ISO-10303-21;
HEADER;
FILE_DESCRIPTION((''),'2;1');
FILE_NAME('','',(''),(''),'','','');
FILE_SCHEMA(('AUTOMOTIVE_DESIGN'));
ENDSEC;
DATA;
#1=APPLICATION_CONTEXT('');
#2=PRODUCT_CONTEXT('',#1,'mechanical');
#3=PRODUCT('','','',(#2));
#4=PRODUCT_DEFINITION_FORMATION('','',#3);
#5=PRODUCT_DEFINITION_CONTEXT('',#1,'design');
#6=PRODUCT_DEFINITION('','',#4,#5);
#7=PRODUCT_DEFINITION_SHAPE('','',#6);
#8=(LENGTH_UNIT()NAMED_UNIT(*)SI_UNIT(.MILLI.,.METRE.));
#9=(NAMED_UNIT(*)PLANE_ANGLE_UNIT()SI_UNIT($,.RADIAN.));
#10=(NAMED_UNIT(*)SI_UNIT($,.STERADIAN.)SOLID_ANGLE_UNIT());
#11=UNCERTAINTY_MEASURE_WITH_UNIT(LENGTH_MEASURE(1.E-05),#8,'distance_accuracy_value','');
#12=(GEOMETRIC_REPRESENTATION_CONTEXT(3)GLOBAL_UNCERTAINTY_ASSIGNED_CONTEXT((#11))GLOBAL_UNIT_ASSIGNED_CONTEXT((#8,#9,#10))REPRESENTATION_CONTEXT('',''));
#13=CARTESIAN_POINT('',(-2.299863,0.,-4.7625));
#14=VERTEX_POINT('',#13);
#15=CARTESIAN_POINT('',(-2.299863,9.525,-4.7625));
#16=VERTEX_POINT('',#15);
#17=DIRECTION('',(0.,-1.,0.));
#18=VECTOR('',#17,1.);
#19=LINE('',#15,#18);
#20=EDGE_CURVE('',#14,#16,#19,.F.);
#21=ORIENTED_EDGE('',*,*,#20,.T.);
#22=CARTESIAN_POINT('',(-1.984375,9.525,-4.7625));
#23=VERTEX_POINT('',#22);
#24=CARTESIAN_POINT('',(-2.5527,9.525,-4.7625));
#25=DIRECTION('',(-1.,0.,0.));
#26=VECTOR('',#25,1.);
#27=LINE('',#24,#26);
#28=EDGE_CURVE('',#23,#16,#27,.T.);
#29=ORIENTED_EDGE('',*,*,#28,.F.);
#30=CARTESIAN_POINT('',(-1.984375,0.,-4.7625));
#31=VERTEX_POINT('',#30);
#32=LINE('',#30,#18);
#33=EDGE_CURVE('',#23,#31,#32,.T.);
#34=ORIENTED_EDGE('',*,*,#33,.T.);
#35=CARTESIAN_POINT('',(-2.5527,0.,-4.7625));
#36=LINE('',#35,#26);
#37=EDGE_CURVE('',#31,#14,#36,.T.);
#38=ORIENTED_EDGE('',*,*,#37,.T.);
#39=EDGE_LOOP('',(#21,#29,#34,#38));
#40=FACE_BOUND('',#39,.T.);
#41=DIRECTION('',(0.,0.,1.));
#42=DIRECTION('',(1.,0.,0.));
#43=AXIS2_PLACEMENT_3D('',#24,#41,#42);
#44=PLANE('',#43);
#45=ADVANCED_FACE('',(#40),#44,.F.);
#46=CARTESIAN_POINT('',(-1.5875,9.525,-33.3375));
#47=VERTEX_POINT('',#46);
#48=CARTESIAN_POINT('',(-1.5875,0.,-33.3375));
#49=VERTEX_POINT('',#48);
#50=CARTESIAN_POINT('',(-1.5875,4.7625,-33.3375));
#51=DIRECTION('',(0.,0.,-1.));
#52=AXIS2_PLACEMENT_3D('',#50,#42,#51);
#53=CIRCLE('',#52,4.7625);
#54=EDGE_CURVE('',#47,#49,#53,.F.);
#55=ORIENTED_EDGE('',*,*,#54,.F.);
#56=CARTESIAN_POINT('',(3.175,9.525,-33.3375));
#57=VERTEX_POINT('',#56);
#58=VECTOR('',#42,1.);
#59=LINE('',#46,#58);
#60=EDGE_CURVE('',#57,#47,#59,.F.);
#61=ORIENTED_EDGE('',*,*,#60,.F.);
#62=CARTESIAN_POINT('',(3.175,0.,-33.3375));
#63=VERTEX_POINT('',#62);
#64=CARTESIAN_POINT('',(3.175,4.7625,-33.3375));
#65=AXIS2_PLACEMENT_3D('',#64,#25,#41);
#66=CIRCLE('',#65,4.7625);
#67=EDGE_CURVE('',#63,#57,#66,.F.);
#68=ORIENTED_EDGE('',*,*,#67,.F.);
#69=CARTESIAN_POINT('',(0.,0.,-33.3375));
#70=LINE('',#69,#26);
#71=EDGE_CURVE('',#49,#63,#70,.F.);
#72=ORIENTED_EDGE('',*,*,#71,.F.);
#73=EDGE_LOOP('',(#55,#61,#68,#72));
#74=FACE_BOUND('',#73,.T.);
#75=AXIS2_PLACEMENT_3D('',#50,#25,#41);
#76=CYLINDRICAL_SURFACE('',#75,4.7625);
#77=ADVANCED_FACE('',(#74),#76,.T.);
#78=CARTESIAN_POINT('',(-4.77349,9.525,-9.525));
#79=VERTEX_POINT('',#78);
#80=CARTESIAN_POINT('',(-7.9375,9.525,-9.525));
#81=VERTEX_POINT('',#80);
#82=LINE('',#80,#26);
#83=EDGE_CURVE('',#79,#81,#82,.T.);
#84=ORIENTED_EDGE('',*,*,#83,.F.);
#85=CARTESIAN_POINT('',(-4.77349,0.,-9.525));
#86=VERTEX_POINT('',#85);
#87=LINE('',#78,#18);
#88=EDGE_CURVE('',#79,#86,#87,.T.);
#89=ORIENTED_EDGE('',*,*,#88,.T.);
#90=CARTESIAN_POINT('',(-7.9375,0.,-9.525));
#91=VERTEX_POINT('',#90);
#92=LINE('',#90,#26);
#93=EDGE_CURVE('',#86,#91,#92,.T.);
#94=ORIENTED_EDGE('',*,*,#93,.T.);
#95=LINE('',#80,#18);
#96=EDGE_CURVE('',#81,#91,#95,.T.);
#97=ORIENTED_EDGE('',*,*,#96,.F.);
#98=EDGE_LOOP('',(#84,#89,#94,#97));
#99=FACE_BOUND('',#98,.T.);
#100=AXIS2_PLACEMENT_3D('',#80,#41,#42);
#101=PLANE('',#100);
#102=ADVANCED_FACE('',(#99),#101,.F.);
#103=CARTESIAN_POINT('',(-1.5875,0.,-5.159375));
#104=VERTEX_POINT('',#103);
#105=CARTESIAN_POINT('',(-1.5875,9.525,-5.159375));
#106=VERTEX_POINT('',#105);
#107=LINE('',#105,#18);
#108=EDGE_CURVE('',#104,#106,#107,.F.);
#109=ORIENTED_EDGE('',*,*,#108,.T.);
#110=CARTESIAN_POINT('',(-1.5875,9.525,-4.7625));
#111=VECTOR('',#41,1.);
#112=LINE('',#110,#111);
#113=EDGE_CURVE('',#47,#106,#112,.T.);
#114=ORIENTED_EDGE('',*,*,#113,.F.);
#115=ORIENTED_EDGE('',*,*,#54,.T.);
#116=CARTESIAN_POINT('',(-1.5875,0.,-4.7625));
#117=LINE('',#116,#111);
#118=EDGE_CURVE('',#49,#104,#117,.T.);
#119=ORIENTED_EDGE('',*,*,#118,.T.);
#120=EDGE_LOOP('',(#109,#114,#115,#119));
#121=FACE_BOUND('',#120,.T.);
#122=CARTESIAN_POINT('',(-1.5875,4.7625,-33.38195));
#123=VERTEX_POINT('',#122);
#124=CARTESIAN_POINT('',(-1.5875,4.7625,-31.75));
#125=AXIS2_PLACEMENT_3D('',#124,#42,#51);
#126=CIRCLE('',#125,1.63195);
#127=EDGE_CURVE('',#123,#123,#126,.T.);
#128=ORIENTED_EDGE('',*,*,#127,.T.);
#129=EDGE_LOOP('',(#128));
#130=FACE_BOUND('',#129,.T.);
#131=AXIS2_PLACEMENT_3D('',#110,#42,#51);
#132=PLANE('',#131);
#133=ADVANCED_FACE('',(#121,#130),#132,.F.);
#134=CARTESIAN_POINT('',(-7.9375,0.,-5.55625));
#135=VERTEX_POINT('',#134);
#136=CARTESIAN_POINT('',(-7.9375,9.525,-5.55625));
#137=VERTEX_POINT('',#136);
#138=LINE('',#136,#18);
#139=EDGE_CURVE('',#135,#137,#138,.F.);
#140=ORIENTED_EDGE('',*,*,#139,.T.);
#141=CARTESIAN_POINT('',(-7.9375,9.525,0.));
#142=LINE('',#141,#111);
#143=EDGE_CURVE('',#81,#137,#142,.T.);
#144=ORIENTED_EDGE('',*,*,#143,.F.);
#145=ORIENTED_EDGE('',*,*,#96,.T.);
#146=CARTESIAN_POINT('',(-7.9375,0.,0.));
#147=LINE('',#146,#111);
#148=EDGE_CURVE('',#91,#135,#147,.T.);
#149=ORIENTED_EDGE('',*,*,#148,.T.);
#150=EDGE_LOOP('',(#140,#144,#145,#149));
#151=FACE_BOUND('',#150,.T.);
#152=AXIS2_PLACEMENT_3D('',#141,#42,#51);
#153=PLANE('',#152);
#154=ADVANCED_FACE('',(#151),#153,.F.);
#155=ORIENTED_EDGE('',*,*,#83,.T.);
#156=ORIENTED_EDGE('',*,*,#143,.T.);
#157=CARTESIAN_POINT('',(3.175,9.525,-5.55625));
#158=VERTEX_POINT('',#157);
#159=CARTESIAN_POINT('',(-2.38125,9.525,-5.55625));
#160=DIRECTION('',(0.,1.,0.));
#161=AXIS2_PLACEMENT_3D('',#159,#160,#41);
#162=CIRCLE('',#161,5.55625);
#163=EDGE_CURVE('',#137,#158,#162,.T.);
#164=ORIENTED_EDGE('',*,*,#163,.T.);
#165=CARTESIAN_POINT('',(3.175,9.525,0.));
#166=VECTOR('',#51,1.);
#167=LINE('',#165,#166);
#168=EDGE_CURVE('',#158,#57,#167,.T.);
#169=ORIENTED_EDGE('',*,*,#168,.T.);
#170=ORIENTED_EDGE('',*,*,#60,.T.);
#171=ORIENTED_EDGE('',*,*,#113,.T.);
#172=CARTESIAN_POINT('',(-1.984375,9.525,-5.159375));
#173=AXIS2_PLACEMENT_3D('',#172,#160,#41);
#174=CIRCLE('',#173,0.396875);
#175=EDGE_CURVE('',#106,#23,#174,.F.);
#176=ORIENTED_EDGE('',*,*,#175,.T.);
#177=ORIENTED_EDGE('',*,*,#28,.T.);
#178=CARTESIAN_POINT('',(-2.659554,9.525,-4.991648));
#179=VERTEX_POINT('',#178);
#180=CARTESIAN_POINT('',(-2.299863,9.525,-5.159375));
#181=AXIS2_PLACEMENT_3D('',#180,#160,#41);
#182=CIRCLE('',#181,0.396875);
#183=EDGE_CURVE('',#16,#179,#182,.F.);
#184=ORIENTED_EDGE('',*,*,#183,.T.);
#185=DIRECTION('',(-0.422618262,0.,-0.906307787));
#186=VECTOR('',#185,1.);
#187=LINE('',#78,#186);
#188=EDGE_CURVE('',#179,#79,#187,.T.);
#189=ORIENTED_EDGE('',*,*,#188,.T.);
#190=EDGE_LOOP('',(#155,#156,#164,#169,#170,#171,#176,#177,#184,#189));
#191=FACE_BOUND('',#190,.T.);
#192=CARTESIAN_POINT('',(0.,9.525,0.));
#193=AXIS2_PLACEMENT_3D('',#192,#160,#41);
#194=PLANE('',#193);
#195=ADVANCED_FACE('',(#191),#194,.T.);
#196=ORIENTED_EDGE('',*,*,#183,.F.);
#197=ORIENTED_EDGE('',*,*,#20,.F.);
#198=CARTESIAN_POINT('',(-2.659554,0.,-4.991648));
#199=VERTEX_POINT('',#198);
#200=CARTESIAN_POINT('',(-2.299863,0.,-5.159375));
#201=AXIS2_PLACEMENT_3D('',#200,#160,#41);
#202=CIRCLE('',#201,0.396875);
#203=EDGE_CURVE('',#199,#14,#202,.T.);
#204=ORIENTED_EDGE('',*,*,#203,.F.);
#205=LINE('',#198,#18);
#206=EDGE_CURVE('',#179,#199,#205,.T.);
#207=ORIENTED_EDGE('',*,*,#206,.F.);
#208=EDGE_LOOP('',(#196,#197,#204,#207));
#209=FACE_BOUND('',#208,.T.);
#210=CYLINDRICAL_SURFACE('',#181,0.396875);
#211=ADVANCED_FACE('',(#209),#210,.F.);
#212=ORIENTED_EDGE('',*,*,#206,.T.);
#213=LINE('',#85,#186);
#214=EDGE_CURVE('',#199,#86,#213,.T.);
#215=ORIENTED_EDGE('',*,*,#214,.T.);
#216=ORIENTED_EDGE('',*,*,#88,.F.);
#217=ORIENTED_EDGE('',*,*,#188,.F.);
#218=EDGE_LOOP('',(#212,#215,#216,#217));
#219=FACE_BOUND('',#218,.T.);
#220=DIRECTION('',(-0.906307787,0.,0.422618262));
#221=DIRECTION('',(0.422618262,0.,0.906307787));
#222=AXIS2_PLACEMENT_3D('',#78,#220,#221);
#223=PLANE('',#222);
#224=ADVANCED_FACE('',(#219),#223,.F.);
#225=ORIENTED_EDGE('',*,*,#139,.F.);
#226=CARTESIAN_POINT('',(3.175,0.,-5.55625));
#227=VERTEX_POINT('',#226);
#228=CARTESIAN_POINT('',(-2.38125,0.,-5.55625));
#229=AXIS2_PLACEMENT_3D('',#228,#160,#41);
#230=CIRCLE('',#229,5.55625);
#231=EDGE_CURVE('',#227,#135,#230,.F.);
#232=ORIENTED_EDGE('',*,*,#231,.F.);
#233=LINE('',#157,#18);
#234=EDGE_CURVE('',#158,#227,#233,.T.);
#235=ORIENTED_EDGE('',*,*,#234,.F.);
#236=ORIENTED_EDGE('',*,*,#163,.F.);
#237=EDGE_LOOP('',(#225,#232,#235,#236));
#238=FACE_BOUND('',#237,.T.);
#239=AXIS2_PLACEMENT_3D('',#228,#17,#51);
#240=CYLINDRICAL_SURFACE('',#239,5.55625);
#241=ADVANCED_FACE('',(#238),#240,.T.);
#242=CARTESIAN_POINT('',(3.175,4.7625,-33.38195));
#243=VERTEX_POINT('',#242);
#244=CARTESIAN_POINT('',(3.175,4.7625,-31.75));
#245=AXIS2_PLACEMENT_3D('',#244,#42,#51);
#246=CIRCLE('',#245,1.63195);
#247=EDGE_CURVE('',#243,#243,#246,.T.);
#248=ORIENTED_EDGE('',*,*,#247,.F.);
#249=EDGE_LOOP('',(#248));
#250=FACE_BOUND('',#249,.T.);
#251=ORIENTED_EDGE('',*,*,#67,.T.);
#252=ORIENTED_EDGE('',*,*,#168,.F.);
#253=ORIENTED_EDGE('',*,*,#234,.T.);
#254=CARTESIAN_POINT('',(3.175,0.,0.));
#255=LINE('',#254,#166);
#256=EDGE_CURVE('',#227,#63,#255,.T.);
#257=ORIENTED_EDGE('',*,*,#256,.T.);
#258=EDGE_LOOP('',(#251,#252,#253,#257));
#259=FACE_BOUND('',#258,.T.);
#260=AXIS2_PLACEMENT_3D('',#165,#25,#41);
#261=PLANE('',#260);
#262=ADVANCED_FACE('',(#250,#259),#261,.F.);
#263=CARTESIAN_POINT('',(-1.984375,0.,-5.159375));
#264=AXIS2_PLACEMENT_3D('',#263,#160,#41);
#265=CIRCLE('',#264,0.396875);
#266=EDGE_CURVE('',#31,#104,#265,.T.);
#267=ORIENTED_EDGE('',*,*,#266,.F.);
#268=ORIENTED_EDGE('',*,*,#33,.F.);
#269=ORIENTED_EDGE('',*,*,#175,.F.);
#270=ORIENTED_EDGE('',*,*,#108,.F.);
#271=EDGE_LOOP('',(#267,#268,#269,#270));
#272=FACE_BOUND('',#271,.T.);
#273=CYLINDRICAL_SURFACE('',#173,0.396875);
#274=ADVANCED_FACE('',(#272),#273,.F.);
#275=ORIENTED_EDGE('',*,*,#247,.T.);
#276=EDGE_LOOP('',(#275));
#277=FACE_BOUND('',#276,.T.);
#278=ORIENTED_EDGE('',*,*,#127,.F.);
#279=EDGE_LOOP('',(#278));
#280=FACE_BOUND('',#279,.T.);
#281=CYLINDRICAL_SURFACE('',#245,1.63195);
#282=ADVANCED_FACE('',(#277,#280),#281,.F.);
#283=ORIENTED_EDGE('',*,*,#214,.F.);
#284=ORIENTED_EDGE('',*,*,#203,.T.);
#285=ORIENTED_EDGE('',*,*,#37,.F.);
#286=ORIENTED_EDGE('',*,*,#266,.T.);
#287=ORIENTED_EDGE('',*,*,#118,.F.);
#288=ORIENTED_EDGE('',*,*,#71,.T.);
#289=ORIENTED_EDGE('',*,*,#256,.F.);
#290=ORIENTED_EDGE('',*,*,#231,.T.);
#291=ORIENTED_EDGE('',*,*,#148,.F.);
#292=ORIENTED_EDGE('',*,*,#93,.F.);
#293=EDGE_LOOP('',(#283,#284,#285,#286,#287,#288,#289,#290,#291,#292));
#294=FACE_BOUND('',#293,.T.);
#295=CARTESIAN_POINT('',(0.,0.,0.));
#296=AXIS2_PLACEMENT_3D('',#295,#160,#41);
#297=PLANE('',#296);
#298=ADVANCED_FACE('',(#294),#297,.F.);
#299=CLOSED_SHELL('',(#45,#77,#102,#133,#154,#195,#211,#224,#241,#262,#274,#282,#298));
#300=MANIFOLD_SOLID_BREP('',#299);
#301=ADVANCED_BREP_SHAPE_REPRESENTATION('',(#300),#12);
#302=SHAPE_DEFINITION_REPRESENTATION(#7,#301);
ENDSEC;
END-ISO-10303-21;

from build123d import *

# Parameters (mm, degrees)
BOSS_EXTRUDE1_DEPTH   = 9.525
FILLET1_R             = 0.396875
FILLET3_RADIUS        = 5.55625
FILLET3_LENGTH        = 9.525
FILLET4_RADIUS        = 4.7625
FILLET4_LENGTH        = 4.7625
F_4_CLEARANCE_HOLE1_D = 3.2639


with BuildPart() as part:
    # Sketch1 → Boss-Extrude1 (new body)
    with BuildSketch(Plane(origin=(0, 0, 0), x_dir=(1, 0, 0), z_dir=(0, 1, 0))):
        Polygon((0, 0), (-7.9375, 0), (-7.9375, 9.525), (-4.773490222, 9.525), (-2.5527, 4.7625), (-1.5875, 4.7625), (-1.5875, 38.1), (3.175, 38.1), (3.175, 0), align=None)
    extrude(amount=BOSS_EXTRUDE1_DEPTH)

    # Fillet1
    fillet1_edges = [part.edges().sort_by_distance(p)[0] for p in [
        (-2.5527, 4.7625, -4.7625),
        (-1.5875, 4.7625, -4.7625),
    ]]
    fillet(fillet1_edges, radius=FILLET1_R)

    # Fillet3: full round fillet: the end face becomes a half cylinder, R = half its width
    fillet3_face = Plane((-2.38125, 4.7625, 0), x_dir=(0, -1, 0), z_dir=(0, 0, 1))  # on the end face: x along it, z out of the body
    fillet3_slab = fillet3_face.offset(-FILLET3_RADIUS / 2) * Box(FILLET3_LENGTH, 2 * FILLET3_RADIUS, FILLET3_RADIUS, mode=Mode.PRIVATE)  # the body's end, R deep
    fillet3_round = Plane((-2.38125, 4.7625, -5.55625), x_dir=(0, 0, 1), z_dir=(0, -1, 0)) * Cylinder(FILLET3_RADIUS, FILLET3_LENGTH, mode=Mode.PRIVATE)  # its axis R under the face
    add(fillet3_slab - fillet3_round, mode=Mode.SUBTRACT)

    # Fillet4: full round fillet: the end face becomes a half cylinder, R = half its width
    fillet4_face = Plane((0.79375, 4.7625, -38.1), x_dir=(1, 0, 0), z_dir=(0, 0, -1))  # on the end face: x along it, z out of the body
    fillet4_slab = fillet4_face.offset(-FILLET4_RADIUS / 2) * Box(FILLET4_LENGTH, 2 * FILLET4_RADIUS, FILLET4_RADIUS, mode=Mode.PRIVATE)  # the body's end, R deep
    fillet4_round = Plane((0.79375, 4.7625, -33.3375), x_dir=(0, 0, -1), z_dir=(1, 0, 0)) * Cylinder(FILLET4_RADIUS, FILLET4_LENGTH, mode=Mode.PRIVATE)  # its axis R under the face
    add(fillet4_slab - fillet4_round, mode=Mode.SUBTRACT)

    # #4 Clearance Hole1 (through all)
    with Locations(Plane(origin=(3.175, 0, 0), x_dir=(0, 0, -1), z_dir=(1, 0, 0))):
        with Locations((31.75, 4.7625)):
            Hole(F_4_CLEARANCE_HOLE1_D / 2)


solid = part.part
